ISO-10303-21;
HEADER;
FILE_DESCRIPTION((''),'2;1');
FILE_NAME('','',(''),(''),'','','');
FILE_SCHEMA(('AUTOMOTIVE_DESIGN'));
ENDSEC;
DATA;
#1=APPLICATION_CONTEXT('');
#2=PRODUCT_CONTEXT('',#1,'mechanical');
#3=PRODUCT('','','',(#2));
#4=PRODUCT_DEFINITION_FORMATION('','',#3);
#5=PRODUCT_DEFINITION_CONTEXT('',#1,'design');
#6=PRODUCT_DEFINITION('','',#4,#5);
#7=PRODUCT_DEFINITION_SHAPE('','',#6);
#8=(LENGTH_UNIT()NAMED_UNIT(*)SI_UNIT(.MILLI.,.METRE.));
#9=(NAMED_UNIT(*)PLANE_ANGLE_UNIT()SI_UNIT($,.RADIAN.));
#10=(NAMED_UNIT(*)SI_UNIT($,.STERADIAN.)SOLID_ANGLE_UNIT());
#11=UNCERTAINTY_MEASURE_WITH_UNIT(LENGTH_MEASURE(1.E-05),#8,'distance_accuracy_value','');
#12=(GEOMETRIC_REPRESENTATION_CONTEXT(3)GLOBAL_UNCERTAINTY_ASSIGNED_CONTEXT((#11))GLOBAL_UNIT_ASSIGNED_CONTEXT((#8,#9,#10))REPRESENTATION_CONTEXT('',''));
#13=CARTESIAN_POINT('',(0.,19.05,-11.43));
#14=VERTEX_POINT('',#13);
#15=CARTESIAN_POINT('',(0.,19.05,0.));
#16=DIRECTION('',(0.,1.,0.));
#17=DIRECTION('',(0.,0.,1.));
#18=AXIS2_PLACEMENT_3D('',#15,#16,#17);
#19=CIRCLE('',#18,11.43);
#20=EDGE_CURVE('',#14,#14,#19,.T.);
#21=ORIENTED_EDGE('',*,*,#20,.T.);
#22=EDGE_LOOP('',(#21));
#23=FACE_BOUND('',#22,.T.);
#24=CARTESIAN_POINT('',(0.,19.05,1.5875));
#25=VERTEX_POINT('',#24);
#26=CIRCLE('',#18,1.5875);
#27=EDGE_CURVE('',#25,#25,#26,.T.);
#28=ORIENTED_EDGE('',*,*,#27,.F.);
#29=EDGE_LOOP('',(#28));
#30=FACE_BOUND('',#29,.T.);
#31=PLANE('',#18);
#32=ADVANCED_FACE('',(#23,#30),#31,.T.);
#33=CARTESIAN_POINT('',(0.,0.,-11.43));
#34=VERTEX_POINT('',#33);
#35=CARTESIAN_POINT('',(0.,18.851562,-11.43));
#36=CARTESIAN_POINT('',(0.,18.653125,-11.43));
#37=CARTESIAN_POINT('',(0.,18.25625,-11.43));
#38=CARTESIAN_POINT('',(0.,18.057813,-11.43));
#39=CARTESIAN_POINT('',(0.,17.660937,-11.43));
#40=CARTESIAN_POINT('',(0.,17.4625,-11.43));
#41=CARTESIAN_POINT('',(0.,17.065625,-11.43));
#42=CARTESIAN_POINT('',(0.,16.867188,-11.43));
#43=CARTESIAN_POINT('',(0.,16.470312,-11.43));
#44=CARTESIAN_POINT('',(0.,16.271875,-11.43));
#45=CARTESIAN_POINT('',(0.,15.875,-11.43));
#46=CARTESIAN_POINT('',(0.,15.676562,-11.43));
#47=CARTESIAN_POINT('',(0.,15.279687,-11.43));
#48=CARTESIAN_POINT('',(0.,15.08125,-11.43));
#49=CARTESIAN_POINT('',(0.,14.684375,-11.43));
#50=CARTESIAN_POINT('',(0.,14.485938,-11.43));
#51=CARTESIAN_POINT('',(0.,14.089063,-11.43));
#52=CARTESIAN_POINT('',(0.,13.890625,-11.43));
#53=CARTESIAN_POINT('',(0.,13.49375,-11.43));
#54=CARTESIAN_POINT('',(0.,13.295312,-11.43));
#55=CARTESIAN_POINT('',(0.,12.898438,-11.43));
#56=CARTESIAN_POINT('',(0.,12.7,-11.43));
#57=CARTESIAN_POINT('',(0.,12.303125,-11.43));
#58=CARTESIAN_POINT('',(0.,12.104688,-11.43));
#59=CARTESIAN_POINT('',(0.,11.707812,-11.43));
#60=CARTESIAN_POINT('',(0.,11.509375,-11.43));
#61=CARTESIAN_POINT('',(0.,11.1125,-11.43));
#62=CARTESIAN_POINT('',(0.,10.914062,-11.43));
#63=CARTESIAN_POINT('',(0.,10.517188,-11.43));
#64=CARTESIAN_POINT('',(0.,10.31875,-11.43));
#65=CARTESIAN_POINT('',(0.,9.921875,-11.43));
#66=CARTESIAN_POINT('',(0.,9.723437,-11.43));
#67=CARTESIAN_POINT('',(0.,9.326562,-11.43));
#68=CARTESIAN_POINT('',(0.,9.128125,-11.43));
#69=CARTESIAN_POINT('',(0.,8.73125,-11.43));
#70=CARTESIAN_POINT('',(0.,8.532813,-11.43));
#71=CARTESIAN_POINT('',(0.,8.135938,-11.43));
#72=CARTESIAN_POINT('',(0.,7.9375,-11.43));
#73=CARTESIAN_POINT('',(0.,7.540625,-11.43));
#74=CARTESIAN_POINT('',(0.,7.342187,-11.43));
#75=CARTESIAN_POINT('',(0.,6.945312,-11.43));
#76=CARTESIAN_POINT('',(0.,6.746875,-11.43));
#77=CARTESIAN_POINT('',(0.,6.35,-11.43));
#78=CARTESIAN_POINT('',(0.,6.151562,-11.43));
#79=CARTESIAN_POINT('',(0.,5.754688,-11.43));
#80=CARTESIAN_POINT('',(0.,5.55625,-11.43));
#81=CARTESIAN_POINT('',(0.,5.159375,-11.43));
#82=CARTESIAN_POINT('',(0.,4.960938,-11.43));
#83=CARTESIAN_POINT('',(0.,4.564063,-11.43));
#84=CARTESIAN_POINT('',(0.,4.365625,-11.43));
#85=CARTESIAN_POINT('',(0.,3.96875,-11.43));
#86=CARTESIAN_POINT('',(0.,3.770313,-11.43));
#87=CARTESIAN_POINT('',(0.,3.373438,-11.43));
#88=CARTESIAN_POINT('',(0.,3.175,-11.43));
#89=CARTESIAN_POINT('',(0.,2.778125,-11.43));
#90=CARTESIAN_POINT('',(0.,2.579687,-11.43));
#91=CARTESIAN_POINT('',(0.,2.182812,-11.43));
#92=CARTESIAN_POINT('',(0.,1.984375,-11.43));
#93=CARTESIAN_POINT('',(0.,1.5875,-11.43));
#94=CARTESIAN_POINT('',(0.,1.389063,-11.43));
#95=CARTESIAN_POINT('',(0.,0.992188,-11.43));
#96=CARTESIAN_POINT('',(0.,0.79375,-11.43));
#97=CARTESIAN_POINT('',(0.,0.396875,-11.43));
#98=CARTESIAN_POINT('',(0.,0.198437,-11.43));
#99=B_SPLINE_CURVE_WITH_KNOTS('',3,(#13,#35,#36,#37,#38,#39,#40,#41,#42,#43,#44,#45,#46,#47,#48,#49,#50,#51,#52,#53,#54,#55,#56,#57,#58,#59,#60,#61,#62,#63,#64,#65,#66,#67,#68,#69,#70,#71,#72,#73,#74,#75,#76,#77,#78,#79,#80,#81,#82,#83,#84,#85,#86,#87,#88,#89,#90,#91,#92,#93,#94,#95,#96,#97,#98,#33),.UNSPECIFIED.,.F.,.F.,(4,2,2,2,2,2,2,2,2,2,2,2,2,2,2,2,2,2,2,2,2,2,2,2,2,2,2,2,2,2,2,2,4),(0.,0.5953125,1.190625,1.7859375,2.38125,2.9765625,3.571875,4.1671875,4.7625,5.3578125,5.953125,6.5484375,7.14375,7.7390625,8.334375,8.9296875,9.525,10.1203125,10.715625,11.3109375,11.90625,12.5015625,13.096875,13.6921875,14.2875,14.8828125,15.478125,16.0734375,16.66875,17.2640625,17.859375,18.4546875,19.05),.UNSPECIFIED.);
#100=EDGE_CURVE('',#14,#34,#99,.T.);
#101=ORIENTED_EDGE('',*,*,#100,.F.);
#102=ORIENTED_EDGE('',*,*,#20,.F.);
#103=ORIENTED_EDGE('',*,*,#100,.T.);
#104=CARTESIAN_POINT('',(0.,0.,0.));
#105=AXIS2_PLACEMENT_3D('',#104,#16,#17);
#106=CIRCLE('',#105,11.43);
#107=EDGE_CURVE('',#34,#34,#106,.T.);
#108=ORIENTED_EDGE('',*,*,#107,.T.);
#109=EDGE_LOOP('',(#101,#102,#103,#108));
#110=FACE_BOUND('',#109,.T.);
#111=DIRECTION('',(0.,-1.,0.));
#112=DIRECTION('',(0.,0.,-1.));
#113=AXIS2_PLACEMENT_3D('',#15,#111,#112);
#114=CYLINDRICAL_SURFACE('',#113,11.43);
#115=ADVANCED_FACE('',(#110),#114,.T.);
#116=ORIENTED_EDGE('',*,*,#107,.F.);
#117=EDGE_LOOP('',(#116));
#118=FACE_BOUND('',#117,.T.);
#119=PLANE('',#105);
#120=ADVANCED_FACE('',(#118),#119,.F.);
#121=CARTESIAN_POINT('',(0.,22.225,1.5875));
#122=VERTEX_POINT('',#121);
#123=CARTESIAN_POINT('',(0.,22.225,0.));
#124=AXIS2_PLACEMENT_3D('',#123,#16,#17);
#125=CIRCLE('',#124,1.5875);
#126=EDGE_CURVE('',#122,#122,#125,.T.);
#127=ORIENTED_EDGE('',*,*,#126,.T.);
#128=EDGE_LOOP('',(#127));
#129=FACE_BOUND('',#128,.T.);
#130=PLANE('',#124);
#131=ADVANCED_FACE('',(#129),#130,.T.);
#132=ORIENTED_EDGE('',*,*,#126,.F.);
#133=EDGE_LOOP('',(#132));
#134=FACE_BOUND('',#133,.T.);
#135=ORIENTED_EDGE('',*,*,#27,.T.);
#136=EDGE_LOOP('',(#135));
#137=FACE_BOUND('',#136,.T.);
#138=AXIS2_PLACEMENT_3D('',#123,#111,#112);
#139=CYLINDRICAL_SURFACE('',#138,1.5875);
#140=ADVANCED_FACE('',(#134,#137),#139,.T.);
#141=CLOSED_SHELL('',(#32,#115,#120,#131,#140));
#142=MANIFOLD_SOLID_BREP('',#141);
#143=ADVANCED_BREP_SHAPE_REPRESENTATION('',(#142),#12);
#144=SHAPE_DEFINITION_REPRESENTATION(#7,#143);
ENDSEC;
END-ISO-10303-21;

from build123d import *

# Parameters (mm, degrees)
SKETCH1_R           = 11.43
BOSS_EXTRUDE1_DEPTH = 19.05
SKETCH2_R           = 1.5875
BOSS_EXTRUDE2_DEPTH = 3.175


with BuildPart() as part:
    # Sketch1 → Boss-Extrude1 (new body)
    with BuildSketch(Plane(origin=(0, 0, 0), x_dir=(1, 0, 0), z_dir=(0, 1, 0))):
        with Locations(Location((0, 0, 0), (0, 0, 90))):
            Circle(SKETCH1_R)
    extrude(amount=BOSS_EXTRUDE1_DEPTH)

    # Sketch2 → Boss-Extrude2 (add)
    with BuildSketch(Plane(origin=(0, 19.05, 0), x_dir=(1, 0, 0), z_dir=(0, 1, 0))):
        with Locations(Location((0, 0, 0), (0, 0, 270))):
            Circle(SKETCH2_R)
    extrude(amount=BOSS_EXTRUDE2_DEPTH)


solid = part.part
